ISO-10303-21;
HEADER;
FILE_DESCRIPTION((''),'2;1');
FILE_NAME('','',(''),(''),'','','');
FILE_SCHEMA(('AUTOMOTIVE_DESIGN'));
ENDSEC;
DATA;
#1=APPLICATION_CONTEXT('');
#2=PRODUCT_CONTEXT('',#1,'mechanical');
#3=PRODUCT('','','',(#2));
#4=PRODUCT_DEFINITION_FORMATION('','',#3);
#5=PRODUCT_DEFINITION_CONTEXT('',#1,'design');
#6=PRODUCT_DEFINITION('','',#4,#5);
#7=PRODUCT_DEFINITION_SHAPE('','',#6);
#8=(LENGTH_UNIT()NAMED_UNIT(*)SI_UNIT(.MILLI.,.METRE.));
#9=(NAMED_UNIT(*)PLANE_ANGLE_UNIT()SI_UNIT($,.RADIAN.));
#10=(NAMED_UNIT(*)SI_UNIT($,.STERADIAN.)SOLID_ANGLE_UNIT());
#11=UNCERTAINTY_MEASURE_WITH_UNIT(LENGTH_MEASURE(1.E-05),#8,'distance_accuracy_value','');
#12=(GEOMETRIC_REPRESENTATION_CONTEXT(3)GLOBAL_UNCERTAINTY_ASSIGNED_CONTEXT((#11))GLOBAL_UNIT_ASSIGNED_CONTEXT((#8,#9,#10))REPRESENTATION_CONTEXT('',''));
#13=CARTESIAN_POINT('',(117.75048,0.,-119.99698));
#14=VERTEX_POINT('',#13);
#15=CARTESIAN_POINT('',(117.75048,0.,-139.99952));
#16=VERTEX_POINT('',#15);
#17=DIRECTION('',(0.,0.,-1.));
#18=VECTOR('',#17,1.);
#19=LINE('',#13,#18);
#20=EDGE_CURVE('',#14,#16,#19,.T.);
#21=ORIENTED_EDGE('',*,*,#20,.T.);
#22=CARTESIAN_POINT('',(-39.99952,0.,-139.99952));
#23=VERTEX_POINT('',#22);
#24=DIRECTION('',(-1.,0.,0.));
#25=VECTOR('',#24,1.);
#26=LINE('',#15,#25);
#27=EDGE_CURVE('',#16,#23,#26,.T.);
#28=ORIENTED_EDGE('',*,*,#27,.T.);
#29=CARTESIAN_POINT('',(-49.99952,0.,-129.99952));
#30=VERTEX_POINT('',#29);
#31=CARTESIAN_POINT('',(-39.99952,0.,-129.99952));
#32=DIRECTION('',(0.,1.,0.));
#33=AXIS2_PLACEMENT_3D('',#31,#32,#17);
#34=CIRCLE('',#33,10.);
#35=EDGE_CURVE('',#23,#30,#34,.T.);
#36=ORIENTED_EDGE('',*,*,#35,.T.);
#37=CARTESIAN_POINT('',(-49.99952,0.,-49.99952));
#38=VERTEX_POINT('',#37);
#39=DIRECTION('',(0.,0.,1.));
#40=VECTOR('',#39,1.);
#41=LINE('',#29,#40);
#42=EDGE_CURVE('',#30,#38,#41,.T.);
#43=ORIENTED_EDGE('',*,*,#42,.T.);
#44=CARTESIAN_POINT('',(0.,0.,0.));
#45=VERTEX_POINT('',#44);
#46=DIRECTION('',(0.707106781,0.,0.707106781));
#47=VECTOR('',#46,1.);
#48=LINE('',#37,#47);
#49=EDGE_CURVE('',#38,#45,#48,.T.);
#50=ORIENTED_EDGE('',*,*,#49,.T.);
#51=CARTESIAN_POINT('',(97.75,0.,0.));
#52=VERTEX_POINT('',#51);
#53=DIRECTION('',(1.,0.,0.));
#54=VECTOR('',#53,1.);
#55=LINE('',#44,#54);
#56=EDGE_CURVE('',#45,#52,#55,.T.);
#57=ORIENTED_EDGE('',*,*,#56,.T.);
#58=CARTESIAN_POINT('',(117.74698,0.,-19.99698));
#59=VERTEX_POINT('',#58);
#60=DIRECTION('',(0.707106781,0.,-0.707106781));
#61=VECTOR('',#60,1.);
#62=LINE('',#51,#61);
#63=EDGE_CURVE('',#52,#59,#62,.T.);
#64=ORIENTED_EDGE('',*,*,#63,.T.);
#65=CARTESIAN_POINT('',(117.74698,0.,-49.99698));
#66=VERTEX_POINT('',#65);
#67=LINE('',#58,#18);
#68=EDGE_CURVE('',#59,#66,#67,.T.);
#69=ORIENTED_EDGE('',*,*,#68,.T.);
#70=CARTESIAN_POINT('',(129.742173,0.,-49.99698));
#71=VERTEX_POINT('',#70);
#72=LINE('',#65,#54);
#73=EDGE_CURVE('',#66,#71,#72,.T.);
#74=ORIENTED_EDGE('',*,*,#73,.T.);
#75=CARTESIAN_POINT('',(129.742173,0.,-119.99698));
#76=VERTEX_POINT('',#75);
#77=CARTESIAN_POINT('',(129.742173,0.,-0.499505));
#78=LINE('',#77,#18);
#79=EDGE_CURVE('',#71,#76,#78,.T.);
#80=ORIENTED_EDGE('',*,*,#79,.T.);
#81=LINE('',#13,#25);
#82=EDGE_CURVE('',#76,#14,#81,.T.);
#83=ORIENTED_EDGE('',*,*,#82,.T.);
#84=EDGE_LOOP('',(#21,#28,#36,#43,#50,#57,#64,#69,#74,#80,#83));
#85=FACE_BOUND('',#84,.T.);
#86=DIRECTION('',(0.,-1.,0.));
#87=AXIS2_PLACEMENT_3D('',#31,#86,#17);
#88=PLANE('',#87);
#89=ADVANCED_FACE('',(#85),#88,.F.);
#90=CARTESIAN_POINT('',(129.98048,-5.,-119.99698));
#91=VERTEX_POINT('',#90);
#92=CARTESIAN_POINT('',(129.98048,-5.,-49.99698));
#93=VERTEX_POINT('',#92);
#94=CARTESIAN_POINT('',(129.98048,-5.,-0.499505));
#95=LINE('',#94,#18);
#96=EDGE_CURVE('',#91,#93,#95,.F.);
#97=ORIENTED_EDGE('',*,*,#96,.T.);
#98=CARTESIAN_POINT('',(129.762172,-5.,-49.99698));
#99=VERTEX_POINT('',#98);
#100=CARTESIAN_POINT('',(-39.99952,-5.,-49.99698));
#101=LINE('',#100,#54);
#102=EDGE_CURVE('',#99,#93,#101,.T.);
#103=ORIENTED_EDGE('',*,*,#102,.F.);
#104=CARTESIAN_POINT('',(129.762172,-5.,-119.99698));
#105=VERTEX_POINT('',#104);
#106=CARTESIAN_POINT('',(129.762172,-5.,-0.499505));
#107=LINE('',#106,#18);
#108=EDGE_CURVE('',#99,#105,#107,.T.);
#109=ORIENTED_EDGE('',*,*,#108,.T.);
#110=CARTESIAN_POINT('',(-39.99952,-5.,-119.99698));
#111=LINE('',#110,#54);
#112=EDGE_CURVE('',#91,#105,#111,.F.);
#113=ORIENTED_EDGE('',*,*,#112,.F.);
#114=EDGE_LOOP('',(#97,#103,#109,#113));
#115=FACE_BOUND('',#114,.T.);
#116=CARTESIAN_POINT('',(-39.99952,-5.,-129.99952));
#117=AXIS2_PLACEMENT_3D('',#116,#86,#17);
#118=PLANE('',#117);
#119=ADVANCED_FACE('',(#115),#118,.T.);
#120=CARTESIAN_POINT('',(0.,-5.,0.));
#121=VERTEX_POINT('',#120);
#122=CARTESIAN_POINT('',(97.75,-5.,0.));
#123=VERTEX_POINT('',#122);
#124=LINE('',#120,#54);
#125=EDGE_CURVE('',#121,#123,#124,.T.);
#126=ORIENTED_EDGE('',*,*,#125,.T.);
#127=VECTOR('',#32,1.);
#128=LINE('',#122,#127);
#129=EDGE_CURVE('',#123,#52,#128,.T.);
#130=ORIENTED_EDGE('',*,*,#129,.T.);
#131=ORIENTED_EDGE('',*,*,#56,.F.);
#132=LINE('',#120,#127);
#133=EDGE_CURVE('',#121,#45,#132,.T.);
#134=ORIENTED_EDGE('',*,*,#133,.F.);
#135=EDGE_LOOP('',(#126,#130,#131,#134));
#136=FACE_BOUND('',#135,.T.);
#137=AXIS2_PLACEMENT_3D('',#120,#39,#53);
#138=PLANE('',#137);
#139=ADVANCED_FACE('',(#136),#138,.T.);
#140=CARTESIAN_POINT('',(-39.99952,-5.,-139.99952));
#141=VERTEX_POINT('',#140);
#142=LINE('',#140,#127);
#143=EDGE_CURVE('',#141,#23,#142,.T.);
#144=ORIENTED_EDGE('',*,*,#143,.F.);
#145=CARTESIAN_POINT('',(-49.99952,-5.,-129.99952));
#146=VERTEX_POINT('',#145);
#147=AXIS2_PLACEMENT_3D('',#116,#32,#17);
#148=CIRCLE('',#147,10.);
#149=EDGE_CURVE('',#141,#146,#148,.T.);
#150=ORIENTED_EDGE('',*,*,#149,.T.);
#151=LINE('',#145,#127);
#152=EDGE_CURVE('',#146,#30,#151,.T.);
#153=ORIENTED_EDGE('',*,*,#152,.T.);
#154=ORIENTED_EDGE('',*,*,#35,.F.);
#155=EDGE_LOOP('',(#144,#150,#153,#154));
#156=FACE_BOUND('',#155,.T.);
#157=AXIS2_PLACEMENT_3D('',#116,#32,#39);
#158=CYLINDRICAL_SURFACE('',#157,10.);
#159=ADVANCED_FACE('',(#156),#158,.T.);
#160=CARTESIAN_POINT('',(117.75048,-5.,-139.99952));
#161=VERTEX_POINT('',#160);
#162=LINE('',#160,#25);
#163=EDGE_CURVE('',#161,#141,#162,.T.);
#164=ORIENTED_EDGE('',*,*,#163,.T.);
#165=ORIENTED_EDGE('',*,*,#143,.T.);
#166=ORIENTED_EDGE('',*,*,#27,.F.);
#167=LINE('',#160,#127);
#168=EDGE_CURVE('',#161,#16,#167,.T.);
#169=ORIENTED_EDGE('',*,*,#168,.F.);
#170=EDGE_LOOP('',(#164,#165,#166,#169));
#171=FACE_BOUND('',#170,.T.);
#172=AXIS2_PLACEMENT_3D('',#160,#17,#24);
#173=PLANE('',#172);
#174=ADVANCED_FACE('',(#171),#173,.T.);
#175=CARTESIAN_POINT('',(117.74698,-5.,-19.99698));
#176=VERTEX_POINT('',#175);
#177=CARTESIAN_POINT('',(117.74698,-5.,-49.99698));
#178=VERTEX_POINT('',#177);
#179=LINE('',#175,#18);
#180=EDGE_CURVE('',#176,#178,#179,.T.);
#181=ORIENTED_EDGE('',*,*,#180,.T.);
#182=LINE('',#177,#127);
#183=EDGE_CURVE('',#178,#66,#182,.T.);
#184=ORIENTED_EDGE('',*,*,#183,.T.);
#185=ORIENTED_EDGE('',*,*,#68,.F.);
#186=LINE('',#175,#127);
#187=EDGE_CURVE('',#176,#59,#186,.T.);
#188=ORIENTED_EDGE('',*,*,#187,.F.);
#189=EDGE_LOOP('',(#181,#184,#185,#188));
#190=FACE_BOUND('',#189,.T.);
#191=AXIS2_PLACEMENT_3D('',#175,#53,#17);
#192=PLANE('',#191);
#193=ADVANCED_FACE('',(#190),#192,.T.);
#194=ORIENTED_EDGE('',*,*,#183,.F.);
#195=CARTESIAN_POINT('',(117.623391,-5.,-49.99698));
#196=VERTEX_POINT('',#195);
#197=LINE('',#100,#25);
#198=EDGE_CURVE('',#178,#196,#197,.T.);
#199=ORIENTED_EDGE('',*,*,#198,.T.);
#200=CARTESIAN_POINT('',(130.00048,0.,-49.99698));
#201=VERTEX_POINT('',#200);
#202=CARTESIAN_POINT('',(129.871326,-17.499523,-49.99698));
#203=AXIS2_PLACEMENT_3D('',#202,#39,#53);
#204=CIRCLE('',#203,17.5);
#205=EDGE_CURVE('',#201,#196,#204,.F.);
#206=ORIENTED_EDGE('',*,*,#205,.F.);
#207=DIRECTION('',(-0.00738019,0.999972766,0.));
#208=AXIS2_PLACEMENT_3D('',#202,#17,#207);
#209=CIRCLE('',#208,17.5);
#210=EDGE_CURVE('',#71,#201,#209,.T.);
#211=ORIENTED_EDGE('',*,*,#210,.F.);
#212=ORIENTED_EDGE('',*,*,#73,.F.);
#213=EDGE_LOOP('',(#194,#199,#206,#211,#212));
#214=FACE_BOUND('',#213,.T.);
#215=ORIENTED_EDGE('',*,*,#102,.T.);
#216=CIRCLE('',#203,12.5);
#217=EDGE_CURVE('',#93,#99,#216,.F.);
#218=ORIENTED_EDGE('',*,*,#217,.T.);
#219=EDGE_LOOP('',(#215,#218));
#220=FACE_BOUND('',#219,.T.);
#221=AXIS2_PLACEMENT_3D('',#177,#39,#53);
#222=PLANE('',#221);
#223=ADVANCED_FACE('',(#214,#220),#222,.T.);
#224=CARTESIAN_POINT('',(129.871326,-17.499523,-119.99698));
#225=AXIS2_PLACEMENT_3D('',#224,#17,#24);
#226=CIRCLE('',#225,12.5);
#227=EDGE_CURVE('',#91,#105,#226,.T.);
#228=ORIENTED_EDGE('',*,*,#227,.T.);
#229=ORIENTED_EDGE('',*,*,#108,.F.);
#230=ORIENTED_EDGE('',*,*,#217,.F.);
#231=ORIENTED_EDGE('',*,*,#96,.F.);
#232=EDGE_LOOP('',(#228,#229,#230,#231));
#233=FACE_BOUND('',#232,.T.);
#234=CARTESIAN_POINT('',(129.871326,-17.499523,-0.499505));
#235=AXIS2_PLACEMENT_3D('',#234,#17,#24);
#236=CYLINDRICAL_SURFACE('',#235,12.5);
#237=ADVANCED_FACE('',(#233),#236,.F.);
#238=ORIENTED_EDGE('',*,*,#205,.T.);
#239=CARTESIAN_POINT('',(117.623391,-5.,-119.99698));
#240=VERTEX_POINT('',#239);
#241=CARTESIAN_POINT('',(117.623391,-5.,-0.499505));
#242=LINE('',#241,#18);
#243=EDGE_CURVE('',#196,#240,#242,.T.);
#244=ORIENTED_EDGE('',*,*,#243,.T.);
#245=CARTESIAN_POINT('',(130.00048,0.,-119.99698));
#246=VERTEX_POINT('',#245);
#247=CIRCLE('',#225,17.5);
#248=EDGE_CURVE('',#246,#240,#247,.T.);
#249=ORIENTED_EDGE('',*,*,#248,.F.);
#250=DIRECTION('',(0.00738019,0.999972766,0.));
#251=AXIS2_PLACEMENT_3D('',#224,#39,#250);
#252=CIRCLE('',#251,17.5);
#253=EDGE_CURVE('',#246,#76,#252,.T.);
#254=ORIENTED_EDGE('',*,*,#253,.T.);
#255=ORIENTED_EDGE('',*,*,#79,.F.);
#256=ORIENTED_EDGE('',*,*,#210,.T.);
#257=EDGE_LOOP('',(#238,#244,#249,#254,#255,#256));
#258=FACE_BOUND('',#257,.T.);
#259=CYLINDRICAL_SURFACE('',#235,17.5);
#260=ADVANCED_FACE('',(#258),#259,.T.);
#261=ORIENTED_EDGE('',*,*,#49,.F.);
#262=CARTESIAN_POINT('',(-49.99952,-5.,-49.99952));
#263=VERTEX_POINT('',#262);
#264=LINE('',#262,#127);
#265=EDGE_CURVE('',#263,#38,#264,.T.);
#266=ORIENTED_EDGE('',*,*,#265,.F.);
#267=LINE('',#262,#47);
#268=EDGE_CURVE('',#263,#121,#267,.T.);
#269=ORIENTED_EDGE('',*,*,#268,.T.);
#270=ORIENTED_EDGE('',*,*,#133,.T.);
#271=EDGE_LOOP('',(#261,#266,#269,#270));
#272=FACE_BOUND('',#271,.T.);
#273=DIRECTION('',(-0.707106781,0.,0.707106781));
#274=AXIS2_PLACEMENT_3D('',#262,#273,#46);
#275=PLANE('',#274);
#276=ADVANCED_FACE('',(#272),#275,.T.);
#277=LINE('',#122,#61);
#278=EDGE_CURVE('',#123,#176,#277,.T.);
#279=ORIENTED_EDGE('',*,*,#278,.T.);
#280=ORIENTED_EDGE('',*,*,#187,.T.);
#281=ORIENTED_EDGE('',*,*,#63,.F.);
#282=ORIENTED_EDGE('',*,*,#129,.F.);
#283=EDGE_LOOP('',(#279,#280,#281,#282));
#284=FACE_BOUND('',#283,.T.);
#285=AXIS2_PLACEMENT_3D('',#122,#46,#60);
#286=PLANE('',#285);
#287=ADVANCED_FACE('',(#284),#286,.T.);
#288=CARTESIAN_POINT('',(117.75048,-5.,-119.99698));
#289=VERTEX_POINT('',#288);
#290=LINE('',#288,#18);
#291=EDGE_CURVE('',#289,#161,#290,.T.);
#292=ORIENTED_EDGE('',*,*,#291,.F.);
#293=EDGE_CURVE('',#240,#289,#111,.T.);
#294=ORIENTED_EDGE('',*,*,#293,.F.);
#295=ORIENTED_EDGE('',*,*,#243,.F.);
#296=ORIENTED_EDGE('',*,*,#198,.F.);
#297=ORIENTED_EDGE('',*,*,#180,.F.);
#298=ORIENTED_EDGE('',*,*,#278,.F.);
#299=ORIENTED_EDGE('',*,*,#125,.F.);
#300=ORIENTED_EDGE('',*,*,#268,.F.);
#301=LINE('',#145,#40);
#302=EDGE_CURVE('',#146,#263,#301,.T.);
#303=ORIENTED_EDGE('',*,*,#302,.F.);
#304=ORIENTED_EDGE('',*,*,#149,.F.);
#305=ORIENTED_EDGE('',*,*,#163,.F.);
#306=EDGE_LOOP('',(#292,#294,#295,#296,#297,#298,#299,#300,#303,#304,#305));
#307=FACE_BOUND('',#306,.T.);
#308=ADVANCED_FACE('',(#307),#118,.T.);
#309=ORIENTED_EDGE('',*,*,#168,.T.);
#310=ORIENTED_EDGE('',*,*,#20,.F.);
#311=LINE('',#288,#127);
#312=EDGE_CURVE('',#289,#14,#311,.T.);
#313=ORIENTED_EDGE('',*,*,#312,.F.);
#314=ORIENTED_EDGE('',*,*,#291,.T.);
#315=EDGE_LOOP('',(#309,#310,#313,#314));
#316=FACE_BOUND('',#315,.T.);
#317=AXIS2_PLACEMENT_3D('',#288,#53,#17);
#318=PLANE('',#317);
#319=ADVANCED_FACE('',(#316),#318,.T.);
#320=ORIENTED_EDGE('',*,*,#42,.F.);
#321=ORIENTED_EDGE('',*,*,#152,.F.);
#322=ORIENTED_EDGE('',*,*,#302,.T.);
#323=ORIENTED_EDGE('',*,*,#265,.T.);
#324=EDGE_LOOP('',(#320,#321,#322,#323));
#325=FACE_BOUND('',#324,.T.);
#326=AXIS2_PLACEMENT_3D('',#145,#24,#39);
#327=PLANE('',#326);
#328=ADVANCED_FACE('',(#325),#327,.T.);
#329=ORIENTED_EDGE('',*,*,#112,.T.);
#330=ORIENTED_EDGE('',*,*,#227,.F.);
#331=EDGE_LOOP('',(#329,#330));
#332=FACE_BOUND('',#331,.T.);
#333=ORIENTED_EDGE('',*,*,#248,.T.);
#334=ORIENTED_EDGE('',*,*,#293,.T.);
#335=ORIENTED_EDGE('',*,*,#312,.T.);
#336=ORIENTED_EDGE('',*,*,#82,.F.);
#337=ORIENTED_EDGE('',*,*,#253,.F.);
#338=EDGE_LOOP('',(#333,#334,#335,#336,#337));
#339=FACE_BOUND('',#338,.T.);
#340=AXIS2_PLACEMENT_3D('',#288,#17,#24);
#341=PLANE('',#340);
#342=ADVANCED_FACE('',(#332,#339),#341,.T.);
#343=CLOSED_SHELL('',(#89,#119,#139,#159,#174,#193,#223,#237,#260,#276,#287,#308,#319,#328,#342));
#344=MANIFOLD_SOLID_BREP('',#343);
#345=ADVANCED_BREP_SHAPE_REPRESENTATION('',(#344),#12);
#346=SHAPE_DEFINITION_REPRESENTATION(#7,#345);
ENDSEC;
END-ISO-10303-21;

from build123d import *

# Parameters (mm, degrees)
BOSS_EXTRUDE1_DEPTH = 5
SKETCH3_R           = 17.5
SKETCH3_R_2         = 12.5
BOSS_EXTRUDE2_DEPTH = 70


with BuildPart() as part:
    # Sketch1 → Boss-Extrude1 (new body)
    with BuildSketch(Plane(origin=(0, 0, 0), x_dir=(1, 0, 0), z_dir=(0, 1, 0))):
        with BuildLine():
            Line((0, 0), (97.75, 0))
            Line((97.75, 0), (117.746979772, 19.996979772))
            Line((117.746979772, 19.996979772), (117.746979772, 49.996979772))
            Line((117.746979772, 49.996979772), (130.000479502, 49.996979772))
            Line((130.000479502, 49.996979772), (130.000479502, 119.996979772))
            Line((130.000479502, 119.996979772), (117.750479502, 119.996979772))
            Line((117.750479502, 119.996979772), (117.750479502, 139.999520498))
            Line((117.750479502, 139.999520498), (-39.999520498, 139.999520498))
            ThreePointArc((-39.999520498, 139.999520498), (-47.07058831, 137.07058831), (-49.999520498, 129.999520498))
            Line((-49.999520498, 129.999520498), (-49.999520498, 49.999520498))
            Line((-49.999520498, 49.999520498), (0, 0))
        make_face()
    extrude(amount=-BOSS_EXTRUDE1_DEPTH)

    # Sketch3 → Boss-Extrude2 (add)
    with BuildSketch(Plane(origin=(0, 0, -119.996979772), x_dir=(-1, 0, 0), z_dir=(0, 0, -1))):
        with Locations((-129.871326169, -17.499523405)):
            Circle(SKETCH3_R)
        with Locations((-129.871326169, -17.499523405)):
            Circle(SKETCH3_R_2, mode=Mode.SUBTRACT)
    extrude(amount=-BOSS_EXTRUDE2_DEPTH)


solid = part.part
